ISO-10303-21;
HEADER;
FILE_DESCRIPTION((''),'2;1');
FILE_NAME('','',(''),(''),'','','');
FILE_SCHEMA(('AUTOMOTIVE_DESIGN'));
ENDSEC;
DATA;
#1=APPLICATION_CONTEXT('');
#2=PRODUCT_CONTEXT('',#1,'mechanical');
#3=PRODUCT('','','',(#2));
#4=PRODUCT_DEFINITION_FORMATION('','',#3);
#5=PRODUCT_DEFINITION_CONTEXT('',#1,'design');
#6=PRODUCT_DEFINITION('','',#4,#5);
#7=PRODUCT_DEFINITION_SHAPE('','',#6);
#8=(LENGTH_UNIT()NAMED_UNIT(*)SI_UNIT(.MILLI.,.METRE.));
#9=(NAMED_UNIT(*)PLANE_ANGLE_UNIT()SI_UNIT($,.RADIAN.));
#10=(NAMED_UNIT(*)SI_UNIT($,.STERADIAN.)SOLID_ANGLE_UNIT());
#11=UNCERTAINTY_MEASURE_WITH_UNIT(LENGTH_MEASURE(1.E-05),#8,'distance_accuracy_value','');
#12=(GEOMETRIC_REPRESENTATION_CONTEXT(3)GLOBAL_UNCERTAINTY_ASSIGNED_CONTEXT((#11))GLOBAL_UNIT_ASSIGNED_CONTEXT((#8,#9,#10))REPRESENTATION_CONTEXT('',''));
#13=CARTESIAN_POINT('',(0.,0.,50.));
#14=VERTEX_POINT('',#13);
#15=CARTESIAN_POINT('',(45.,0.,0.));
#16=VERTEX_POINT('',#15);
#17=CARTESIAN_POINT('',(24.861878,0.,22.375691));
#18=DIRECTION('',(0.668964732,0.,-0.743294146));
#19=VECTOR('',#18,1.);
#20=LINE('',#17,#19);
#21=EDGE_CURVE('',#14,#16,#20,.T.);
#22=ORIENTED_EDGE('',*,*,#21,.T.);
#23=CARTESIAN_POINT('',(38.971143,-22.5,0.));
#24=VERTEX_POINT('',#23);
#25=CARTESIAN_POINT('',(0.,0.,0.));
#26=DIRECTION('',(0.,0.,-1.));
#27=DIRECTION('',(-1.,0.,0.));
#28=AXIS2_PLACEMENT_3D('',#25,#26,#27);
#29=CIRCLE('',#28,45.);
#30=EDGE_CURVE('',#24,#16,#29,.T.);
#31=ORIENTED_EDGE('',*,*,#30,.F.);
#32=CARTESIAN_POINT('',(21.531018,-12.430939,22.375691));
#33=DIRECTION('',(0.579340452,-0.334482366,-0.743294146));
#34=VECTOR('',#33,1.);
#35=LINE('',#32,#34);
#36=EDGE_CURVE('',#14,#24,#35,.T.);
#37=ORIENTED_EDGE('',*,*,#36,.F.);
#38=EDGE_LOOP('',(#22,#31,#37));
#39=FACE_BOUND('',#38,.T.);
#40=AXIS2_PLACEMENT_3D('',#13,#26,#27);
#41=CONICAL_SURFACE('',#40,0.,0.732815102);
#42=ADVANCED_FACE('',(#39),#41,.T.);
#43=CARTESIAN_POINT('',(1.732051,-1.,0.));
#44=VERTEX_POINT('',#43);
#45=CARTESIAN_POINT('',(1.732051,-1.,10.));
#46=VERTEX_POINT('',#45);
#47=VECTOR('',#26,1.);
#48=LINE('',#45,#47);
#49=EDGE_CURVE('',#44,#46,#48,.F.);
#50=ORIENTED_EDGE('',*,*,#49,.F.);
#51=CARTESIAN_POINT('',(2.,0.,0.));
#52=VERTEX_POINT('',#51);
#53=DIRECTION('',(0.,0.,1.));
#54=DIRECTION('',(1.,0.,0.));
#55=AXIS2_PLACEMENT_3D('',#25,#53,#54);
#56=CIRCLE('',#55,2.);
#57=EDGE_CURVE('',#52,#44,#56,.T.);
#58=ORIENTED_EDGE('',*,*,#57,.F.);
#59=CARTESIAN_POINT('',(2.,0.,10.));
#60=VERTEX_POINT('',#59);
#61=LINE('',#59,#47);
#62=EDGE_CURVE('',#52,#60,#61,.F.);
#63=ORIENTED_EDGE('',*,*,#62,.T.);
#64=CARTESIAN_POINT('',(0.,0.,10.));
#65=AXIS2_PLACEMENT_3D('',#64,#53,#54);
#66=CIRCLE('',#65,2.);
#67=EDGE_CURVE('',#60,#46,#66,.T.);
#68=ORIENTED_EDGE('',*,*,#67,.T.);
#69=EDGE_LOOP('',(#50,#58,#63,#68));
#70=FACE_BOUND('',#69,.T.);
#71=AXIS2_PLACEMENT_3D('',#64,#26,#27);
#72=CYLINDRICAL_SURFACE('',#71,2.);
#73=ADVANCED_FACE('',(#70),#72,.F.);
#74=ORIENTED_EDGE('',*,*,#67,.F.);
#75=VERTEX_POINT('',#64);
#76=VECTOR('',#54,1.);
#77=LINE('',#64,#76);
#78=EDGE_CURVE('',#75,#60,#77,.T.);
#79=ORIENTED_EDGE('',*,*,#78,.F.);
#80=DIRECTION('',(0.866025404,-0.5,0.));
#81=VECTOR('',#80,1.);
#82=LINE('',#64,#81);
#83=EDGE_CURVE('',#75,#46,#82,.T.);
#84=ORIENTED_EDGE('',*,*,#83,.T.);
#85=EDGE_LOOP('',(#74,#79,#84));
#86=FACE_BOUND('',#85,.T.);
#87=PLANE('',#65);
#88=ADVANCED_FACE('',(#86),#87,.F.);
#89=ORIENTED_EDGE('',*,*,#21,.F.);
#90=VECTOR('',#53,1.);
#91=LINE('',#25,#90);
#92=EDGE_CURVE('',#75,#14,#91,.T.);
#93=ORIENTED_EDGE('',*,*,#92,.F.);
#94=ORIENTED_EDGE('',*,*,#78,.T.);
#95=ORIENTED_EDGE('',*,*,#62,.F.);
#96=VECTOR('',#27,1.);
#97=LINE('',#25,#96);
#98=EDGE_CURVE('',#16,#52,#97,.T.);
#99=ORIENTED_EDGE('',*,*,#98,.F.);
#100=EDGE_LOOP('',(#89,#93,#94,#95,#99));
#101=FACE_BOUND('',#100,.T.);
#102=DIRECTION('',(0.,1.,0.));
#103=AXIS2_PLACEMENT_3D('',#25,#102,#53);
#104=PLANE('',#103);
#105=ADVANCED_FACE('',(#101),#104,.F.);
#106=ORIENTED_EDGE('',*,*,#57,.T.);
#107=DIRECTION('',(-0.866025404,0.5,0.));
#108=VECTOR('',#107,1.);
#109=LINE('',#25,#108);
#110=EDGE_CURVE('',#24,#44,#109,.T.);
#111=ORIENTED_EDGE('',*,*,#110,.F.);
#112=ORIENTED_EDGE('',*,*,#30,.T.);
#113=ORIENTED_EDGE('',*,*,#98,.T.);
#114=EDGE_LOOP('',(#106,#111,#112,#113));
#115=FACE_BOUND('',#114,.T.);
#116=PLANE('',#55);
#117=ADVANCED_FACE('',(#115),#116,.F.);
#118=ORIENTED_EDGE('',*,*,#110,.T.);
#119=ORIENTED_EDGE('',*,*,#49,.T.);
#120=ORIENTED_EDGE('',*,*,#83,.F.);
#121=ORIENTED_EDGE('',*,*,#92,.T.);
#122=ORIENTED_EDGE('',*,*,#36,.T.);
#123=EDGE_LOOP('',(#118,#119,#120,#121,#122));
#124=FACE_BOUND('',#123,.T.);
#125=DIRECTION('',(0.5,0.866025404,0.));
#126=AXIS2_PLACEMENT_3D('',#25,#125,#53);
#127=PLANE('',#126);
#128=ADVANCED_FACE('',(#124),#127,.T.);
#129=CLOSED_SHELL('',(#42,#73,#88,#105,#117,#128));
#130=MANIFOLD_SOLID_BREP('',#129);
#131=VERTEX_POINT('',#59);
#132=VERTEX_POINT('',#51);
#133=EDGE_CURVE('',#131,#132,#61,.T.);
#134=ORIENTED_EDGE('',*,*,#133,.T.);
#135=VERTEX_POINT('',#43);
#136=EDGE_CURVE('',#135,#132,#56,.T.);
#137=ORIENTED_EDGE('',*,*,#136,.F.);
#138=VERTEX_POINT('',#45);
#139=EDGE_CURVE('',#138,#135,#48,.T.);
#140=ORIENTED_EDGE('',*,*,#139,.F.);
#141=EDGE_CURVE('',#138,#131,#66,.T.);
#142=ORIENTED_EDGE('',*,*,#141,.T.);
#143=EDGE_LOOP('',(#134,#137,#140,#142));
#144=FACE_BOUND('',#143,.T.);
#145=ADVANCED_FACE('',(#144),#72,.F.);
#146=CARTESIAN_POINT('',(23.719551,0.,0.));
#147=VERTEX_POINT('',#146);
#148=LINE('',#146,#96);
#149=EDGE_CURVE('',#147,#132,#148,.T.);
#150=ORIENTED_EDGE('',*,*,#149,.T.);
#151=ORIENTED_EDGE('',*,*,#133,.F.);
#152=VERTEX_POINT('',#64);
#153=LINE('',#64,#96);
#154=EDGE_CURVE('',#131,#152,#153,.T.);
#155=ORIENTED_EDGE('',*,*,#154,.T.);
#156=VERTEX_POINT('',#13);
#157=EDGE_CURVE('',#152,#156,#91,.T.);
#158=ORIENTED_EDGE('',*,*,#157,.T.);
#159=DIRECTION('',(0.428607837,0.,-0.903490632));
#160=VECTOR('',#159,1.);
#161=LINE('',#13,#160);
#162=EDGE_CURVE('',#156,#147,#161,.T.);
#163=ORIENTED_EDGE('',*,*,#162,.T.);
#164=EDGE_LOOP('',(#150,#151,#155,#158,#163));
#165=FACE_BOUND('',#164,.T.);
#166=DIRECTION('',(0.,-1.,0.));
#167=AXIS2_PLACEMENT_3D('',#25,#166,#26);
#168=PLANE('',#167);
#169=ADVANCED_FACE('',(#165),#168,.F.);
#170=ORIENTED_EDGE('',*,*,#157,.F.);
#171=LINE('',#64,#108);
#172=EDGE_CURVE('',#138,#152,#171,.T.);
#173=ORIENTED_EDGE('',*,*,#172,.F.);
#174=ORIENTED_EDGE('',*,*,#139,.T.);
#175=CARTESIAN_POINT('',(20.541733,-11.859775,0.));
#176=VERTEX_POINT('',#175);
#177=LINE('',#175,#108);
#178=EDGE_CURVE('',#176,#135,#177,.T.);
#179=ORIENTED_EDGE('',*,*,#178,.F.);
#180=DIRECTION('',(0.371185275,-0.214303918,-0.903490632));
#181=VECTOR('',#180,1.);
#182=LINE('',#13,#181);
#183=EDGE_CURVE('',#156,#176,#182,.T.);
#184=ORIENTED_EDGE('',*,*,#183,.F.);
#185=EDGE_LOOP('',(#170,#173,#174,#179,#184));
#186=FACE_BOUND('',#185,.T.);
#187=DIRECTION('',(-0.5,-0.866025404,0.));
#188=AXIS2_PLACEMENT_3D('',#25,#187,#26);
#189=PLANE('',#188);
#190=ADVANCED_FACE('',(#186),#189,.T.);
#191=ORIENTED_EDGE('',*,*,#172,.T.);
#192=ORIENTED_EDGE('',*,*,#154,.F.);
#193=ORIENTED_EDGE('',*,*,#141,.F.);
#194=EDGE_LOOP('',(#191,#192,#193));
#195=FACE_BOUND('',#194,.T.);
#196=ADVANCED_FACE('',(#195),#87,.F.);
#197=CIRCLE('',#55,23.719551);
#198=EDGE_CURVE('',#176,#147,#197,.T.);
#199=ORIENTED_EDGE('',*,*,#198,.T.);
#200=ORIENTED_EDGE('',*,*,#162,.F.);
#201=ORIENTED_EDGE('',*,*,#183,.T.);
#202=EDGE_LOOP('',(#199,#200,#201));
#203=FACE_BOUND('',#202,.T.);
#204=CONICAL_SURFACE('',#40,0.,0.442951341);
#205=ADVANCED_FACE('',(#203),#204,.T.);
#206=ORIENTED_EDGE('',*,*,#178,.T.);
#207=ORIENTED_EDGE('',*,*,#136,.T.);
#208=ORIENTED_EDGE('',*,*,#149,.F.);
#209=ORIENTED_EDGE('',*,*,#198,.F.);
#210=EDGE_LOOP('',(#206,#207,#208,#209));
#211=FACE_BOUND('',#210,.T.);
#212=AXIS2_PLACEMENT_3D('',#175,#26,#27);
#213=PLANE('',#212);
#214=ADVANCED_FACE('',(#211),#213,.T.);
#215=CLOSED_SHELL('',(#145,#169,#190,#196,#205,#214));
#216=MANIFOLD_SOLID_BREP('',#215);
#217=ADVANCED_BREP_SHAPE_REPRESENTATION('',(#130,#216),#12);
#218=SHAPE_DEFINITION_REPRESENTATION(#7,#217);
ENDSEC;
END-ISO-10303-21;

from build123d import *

# Parameters (mm, degrees)
REVOLVE3_ANGLE     = 330
REVOLVE7_ANGLE     = 30
SKETCH1_R          = 2
CUT_EXTRUDE2_DEPTH = 10


with BuildPart() as part:
    # Sketch4 → Revolve3 (revolve)
    with BuildSketch(Plane(origin=(0, 0, 0), x_dir=(1, 0, 0), z_dir=(0, 1, 0))):
        Polygon((0, -50), (45, 0), (0, 0), align=None)
    revolve(axis=Axis((0, 0, 0), (0, 0, 1)), revolution_arc=REVOLVE3_ANGLE)


with BuildPart() as body_2:
    # Sketch7 → Revolve7 (revolve)
    with BuildSketch(Plane(origin=(0, 0, 0), x_dir=(1, 0, 0), z_dir=(0, 1, 0))):
        Polygon((0, -50), (23.719550692, 0), (17.405636357, 0), (0, 0), align=None)
    revolve(axis=Axis((0, 0, 0), (0, 0, -1)), revolution_arc=REVOLVE7_ANGLE)


with BuildPart() as cut_extrude2_tool:
    # Sketch1 → Cut-Extrude2 (new body)
    with BuildSketch(Plane.XY):
        Circle(SKETCH1_R)
    extrude(amount=CUT_EXTRUDE2_DEPTH)


with BuildPart() as part_1:
    add(part.part)

    # Cut-Extrude2: cut by cut_extrude2_tool
    add(cut_extrude2_tool.part, mode=Mode.SUBTRACT)


with BuildPart() as body_2_1:
    add(body_2.part)

    # Cut-Extrude2: cut by cut_extrude2_tool
    add(cut_extrude2_tool.part, mode=Mode.SUBTRACT)


solid = Compound([part_1.part, body_2_1.part])
